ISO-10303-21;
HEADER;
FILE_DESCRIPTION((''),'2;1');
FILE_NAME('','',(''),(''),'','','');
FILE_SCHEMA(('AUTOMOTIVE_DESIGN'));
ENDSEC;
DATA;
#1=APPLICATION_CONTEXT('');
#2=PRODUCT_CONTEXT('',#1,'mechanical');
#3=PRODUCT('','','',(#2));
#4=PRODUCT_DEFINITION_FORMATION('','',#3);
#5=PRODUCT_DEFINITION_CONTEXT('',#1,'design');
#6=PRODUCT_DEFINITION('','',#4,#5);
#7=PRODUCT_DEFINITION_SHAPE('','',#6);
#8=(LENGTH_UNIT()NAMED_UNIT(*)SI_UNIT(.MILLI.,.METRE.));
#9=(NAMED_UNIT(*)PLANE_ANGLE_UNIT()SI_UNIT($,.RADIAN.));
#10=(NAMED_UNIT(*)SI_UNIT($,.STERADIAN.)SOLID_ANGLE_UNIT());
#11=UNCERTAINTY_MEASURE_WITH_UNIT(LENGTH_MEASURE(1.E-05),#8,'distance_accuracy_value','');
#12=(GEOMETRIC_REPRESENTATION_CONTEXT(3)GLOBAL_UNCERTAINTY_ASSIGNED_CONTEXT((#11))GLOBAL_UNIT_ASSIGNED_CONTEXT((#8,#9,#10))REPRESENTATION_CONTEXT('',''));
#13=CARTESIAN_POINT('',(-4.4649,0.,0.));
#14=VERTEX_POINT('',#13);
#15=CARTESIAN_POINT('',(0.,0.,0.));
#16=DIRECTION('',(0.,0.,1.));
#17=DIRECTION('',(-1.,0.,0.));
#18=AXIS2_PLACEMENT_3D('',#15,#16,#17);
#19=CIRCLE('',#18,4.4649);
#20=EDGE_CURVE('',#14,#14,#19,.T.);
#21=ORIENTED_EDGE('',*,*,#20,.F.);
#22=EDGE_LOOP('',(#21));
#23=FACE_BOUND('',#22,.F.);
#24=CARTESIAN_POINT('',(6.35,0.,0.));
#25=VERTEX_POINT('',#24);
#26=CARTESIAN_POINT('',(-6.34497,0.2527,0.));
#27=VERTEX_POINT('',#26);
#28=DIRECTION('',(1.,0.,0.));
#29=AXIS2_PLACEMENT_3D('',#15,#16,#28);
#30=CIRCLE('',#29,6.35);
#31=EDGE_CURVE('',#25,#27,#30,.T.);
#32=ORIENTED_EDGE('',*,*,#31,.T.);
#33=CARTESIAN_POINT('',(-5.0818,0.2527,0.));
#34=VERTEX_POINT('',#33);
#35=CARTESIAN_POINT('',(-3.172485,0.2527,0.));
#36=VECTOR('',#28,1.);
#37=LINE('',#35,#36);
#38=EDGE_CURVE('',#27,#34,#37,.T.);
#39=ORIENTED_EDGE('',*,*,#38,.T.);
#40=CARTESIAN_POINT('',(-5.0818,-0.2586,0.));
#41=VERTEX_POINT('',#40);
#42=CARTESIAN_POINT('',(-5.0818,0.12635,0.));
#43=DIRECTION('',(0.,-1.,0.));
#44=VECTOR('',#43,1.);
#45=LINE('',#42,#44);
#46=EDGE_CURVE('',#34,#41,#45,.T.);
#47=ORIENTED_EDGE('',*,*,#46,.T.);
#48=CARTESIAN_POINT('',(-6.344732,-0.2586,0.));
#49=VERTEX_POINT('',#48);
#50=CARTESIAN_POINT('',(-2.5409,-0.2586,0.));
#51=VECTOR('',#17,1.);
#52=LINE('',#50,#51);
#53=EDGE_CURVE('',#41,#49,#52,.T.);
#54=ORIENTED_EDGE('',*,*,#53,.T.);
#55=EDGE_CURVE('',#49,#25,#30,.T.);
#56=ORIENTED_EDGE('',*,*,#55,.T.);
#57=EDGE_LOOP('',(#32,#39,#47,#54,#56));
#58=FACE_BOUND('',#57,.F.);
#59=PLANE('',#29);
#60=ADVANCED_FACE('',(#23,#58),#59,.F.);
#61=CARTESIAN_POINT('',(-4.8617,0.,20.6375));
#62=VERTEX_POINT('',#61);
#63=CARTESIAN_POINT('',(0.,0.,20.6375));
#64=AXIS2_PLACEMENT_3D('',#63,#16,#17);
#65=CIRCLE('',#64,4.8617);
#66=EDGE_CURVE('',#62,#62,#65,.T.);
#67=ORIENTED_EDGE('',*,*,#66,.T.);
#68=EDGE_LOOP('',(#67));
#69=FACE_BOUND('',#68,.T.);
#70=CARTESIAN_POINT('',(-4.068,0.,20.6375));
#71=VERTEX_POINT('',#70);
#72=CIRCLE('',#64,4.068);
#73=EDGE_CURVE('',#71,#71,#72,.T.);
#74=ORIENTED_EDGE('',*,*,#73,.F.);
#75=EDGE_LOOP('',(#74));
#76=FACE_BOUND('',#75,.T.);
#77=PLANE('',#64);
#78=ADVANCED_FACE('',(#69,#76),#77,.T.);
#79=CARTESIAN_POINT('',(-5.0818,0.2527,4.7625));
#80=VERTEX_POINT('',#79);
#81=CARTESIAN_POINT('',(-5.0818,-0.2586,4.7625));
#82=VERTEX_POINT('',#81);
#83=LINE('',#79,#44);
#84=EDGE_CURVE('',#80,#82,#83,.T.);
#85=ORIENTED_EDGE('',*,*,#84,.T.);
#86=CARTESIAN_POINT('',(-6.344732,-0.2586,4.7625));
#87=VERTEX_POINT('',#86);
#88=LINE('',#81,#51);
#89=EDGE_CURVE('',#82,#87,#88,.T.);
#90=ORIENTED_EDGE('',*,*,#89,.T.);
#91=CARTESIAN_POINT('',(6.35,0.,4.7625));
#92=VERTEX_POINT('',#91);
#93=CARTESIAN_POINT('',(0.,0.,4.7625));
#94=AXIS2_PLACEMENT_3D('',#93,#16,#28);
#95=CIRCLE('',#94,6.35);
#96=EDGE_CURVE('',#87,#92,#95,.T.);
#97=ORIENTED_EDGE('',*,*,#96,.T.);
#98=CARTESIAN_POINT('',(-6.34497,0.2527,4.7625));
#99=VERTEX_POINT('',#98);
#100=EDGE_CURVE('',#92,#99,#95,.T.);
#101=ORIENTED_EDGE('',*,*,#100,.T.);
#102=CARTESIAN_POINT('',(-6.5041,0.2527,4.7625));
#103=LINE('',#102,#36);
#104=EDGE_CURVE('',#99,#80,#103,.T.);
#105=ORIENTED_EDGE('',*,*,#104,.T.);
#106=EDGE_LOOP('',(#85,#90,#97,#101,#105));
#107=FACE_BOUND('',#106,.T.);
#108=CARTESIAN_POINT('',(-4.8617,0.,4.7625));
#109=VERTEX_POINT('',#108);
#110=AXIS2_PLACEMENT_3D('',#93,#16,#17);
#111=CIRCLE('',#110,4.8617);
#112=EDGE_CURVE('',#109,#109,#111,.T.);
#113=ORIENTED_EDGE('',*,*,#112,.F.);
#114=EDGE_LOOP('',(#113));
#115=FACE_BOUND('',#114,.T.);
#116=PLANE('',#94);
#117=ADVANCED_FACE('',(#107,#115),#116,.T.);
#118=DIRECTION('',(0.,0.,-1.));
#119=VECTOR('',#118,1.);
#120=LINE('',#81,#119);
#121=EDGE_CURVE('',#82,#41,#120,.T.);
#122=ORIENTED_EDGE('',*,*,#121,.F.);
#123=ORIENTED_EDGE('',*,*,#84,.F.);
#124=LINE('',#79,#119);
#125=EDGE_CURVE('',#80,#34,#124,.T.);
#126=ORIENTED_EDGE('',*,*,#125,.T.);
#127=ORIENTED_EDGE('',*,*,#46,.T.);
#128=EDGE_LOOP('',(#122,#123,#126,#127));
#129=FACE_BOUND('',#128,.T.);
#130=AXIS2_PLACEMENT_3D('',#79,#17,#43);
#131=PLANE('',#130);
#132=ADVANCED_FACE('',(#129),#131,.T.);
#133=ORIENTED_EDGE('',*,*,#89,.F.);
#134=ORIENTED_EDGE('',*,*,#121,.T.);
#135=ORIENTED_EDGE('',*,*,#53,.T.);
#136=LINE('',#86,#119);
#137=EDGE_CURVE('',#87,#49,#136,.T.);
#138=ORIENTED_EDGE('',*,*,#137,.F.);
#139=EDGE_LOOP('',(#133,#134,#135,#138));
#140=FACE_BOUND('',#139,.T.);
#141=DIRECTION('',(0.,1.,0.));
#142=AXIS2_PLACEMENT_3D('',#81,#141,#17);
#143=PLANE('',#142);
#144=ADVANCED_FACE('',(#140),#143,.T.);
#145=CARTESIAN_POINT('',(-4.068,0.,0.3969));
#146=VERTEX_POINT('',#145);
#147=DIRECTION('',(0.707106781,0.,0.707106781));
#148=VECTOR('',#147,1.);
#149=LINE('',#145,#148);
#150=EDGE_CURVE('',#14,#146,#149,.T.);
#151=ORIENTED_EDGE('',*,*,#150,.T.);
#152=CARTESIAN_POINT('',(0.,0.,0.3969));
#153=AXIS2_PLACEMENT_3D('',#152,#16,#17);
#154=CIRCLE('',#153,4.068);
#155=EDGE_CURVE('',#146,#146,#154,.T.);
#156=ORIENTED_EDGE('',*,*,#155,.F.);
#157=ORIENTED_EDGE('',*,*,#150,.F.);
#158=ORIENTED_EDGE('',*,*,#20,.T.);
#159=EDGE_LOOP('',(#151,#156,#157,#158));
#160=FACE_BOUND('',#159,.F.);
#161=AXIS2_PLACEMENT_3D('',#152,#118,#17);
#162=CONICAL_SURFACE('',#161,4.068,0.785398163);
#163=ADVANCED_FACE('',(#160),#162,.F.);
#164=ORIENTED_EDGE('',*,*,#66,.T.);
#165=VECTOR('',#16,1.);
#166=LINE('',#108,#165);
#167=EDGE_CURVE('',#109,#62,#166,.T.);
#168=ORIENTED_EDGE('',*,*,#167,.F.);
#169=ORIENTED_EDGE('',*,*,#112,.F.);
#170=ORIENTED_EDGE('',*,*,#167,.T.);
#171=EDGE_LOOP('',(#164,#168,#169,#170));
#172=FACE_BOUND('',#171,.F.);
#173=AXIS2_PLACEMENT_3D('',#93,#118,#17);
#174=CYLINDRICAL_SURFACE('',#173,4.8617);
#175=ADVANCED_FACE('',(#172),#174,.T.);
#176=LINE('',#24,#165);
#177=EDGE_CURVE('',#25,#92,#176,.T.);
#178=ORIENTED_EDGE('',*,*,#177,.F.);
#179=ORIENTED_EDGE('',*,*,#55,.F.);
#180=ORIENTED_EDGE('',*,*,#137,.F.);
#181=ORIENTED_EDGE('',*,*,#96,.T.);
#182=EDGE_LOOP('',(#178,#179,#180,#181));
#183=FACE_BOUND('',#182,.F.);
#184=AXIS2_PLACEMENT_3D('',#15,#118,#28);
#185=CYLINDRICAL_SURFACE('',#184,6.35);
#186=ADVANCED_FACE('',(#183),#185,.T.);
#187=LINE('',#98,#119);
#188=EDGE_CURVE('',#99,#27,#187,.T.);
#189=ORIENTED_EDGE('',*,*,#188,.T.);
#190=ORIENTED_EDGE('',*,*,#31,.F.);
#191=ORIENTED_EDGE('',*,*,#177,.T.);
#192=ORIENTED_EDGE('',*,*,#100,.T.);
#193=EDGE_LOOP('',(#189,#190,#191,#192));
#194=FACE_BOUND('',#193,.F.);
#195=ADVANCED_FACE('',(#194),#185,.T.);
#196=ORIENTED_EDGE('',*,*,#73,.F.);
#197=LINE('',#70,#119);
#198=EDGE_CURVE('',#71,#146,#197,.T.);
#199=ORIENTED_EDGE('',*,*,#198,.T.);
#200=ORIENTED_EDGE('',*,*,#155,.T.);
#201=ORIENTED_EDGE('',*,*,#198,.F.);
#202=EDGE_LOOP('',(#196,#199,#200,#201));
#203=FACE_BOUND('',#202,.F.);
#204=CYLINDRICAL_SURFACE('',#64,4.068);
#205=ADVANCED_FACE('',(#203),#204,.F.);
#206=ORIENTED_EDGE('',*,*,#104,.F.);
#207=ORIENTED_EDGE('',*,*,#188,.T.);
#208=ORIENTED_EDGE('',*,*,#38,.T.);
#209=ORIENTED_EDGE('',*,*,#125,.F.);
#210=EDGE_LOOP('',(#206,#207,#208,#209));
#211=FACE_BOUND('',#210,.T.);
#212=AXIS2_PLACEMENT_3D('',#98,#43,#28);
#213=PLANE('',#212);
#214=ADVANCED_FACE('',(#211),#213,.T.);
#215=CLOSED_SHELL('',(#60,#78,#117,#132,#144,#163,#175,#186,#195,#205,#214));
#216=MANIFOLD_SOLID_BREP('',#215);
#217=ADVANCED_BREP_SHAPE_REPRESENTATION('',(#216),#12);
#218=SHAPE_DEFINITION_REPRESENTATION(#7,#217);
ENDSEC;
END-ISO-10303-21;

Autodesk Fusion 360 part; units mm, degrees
sketch "Sketch1" plane through (0, 0, 0) normal (0, 0, 1) x (1, 0, 0) in component "SpoolBottom"
  circle A0 centre (0, 0) radius 6.35
  dimension "d49" = 12.7
extrude "Extrude1" add sketch "Sketch1" along normal blind 4.7625 in component "SpoolBottom"
sketch "Sketch2" plane through (0, 0, 4.7625) normal (0, 0, 1) x (-1, 0, 0) in component "SpoolBottom"
  circle A0 centre (0, 0) radius 6.35
  circle A1 centre (0, 0) radius 4.8617
  dimension "d52" = 9.7234
extrude "Extrude2" add sketch "Sketch2" along normal blind 15.875 contours A1 in component "SpoolBottom"
sketch "Sketch3" plane through (0, 0, 20.6375) normal (0, 0, 1) x (-1, 0, 0) in component "SpoolBottom"
  circle A0 centre (0, 0) radius 4.8617
  circle A1 centre (0, 0) radius 4.068
  dimension "d55" = 8.1359
extrude "Extrude3" cut sketch "Sketch3" against normal blind 21.59 contours A1 in component "SpoolBottom"
chamfer "Chamfer1" distance 0.3969 angle 45 1 edges at (3.7927, 1.471, 0) in component "SpoolBottom"
sketch "Sketch4" plane through (0, 0, 4.7625) normal (0, 0, 1) x (-1, 0, 0) in component "SpoolBottom"
  circle A0 centre (0, 0) radius 4.8617
  circle A1 centre (0, 0) radius 6.35
  line L0 (5.0818, 0.2586) -> (6.5041, 0.2586)
  line L1 (6.5041, 0.2586) -> (6.5041, -0.2527)
  line L2 (6.5041, -0.2527) -> (5.0818, -0.2527)
  line L3 (5.0818, -0.2527) -> (5.0818, 0.2586)
extrude "Extrude4" cut sketch "Sketch4" against normal blind 4.826 contours A1 L0 L2 L3 picked at (5.5046, 0.002) in component "SpoolBottom"
component "SpoolBottom" placed x (1, 0, 0) y (0, 1, 0) z (0, 0, 1) at (0, 0, 0)
equation "d50 = ( 3 / 16 ) * 1 in"
equation "d52 = ( 5 / 16 ) * 1 in + ( 1 / 128 ) * 1 in + ( 2 / 32 ) * 1 in"
equation "d53 = ( 5 / 8 ) * 1 in"
equation "d55 = ( 5 / 16 ) * 1 in + ( 1 / 128 ) * 1 in"
equation "d58 = ( 1 / 64 ) * 1 in"
